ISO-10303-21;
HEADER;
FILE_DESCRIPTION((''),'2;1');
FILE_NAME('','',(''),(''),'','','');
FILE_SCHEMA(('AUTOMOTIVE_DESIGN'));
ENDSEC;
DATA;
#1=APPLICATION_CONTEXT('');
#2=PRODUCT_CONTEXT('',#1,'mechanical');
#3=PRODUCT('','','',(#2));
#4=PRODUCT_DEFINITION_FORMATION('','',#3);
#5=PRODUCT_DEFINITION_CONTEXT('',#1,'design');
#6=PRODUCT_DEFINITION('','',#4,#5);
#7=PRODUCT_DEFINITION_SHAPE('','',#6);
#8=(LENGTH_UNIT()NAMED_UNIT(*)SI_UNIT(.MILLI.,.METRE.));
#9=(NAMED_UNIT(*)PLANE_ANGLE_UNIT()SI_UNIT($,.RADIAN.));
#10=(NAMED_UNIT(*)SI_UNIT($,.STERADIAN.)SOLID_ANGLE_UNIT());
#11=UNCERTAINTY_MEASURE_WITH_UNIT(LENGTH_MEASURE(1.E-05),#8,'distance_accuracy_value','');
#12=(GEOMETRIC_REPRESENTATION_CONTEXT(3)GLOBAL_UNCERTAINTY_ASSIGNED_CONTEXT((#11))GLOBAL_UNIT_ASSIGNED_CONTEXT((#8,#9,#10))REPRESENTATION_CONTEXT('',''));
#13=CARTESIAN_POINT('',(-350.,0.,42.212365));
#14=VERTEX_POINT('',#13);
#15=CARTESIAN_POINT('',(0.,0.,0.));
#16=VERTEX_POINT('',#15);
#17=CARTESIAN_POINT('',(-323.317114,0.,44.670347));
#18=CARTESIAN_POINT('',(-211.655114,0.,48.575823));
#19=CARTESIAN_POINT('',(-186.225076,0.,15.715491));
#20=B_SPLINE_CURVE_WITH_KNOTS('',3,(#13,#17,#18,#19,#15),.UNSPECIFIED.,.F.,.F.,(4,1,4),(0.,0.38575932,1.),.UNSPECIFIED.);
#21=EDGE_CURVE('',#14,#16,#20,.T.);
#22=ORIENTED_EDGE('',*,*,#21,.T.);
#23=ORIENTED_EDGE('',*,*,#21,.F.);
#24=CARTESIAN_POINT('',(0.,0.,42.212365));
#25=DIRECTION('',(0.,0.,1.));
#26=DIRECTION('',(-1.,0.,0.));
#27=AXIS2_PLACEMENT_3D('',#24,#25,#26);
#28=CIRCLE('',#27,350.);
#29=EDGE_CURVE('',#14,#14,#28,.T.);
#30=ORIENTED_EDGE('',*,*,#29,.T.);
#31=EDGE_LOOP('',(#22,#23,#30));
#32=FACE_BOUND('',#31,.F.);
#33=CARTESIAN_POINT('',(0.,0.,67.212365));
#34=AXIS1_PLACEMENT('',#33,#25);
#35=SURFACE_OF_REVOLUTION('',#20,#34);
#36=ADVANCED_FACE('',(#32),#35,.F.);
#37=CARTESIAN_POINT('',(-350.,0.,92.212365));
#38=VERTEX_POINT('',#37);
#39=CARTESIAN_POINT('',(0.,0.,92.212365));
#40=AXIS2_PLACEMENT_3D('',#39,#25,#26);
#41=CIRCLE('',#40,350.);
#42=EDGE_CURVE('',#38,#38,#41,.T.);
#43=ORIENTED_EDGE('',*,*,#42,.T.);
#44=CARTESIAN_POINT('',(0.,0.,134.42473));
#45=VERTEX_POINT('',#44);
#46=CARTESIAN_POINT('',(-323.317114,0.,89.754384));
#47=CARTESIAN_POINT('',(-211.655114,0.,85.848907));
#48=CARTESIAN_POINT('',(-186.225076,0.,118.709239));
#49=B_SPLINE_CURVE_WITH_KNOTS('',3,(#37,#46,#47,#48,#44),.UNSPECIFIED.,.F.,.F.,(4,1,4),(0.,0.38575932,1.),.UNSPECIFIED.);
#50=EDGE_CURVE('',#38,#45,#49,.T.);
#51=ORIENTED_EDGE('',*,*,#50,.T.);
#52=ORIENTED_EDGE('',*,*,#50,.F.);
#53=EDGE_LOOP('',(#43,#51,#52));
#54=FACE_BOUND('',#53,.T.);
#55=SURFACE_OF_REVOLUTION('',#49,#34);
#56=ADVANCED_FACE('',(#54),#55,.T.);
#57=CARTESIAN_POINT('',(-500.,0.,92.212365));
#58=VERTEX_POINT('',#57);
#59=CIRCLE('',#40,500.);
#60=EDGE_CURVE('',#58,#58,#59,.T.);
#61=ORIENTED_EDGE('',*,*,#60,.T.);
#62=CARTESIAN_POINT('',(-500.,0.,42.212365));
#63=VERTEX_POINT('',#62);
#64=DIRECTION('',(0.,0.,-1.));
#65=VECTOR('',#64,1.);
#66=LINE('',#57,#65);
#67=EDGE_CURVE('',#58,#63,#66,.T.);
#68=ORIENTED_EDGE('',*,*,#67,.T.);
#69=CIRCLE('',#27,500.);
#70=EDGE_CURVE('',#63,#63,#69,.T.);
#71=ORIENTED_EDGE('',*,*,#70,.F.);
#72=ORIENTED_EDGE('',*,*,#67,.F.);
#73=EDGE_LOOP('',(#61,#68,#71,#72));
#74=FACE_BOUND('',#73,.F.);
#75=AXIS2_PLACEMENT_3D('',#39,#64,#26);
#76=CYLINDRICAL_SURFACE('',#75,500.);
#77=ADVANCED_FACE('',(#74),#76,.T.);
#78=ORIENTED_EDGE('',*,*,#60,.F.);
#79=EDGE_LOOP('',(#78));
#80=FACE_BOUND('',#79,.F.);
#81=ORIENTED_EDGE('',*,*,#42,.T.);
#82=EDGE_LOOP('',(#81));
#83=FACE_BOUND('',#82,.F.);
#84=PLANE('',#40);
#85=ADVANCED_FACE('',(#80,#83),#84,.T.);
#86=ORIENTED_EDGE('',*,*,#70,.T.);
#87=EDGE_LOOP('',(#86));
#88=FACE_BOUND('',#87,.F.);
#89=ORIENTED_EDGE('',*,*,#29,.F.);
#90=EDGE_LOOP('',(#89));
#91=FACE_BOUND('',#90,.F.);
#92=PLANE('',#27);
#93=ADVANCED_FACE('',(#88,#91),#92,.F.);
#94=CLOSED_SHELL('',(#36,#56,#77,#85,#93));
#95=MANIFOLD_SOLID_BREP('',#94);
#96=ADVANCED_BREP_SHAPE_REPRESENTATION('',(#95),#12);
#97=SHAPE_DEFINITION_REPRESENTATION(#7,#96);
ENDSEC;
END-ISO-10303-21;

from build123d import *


with BuildPart() as f1:
    # F0 (on Front) → F1 (revolve)
    with BuildSketch(Plane.XZ):
        with BuildLine():
            add(Edge.make_bspline(
                [(-350, 42.2123651127), (-323.3171143962, 44.6703465887), (-211.6551142347, 48.5758227514), (-186.2250758575, 15.7154912324), (0, 0)],
                knots=[0, 0, 0, 0, 0.3857593196, 1, 1, 1, 1], degree=3))
            Line((0, 0), (0, 67.2123651127))
            Line((0, 67.2123651127), (-500, 67.2123651127))
            Line((-500, 67.2123651127), (-500, 42.2123651127))
            Line((-500, 42.2123651127), (-350, 42.2123651127))
        make_face()
        with BuildLine():
            Line((-500, 67.2123651127), (0, 67.2123651127))
            Line((0, 67.2123651127), (0, 134.4247302253))
            add(Edge.make_bspline(
                [(-350, 92.2123651127), (-323.3171143962, 89.7543836367), (-211.6551142347, 85.8489074739), (-186.2250758575, 118.7092389929), (0, 134.4247302253)],
                knots=[0, 0, 0, 0, 0.3857593196, 1, 1, 1, 1], degree=3))
            Line((-350, 92.2123651127), (-500, 92.2123651127))
            Line((-500, 92.2123651127), (-500, 67.2123651127))
        make_face()
    revolve(axis=Axis((0, 0, 67.2123651127), (0, 0, 1)))


solid = f1.part
